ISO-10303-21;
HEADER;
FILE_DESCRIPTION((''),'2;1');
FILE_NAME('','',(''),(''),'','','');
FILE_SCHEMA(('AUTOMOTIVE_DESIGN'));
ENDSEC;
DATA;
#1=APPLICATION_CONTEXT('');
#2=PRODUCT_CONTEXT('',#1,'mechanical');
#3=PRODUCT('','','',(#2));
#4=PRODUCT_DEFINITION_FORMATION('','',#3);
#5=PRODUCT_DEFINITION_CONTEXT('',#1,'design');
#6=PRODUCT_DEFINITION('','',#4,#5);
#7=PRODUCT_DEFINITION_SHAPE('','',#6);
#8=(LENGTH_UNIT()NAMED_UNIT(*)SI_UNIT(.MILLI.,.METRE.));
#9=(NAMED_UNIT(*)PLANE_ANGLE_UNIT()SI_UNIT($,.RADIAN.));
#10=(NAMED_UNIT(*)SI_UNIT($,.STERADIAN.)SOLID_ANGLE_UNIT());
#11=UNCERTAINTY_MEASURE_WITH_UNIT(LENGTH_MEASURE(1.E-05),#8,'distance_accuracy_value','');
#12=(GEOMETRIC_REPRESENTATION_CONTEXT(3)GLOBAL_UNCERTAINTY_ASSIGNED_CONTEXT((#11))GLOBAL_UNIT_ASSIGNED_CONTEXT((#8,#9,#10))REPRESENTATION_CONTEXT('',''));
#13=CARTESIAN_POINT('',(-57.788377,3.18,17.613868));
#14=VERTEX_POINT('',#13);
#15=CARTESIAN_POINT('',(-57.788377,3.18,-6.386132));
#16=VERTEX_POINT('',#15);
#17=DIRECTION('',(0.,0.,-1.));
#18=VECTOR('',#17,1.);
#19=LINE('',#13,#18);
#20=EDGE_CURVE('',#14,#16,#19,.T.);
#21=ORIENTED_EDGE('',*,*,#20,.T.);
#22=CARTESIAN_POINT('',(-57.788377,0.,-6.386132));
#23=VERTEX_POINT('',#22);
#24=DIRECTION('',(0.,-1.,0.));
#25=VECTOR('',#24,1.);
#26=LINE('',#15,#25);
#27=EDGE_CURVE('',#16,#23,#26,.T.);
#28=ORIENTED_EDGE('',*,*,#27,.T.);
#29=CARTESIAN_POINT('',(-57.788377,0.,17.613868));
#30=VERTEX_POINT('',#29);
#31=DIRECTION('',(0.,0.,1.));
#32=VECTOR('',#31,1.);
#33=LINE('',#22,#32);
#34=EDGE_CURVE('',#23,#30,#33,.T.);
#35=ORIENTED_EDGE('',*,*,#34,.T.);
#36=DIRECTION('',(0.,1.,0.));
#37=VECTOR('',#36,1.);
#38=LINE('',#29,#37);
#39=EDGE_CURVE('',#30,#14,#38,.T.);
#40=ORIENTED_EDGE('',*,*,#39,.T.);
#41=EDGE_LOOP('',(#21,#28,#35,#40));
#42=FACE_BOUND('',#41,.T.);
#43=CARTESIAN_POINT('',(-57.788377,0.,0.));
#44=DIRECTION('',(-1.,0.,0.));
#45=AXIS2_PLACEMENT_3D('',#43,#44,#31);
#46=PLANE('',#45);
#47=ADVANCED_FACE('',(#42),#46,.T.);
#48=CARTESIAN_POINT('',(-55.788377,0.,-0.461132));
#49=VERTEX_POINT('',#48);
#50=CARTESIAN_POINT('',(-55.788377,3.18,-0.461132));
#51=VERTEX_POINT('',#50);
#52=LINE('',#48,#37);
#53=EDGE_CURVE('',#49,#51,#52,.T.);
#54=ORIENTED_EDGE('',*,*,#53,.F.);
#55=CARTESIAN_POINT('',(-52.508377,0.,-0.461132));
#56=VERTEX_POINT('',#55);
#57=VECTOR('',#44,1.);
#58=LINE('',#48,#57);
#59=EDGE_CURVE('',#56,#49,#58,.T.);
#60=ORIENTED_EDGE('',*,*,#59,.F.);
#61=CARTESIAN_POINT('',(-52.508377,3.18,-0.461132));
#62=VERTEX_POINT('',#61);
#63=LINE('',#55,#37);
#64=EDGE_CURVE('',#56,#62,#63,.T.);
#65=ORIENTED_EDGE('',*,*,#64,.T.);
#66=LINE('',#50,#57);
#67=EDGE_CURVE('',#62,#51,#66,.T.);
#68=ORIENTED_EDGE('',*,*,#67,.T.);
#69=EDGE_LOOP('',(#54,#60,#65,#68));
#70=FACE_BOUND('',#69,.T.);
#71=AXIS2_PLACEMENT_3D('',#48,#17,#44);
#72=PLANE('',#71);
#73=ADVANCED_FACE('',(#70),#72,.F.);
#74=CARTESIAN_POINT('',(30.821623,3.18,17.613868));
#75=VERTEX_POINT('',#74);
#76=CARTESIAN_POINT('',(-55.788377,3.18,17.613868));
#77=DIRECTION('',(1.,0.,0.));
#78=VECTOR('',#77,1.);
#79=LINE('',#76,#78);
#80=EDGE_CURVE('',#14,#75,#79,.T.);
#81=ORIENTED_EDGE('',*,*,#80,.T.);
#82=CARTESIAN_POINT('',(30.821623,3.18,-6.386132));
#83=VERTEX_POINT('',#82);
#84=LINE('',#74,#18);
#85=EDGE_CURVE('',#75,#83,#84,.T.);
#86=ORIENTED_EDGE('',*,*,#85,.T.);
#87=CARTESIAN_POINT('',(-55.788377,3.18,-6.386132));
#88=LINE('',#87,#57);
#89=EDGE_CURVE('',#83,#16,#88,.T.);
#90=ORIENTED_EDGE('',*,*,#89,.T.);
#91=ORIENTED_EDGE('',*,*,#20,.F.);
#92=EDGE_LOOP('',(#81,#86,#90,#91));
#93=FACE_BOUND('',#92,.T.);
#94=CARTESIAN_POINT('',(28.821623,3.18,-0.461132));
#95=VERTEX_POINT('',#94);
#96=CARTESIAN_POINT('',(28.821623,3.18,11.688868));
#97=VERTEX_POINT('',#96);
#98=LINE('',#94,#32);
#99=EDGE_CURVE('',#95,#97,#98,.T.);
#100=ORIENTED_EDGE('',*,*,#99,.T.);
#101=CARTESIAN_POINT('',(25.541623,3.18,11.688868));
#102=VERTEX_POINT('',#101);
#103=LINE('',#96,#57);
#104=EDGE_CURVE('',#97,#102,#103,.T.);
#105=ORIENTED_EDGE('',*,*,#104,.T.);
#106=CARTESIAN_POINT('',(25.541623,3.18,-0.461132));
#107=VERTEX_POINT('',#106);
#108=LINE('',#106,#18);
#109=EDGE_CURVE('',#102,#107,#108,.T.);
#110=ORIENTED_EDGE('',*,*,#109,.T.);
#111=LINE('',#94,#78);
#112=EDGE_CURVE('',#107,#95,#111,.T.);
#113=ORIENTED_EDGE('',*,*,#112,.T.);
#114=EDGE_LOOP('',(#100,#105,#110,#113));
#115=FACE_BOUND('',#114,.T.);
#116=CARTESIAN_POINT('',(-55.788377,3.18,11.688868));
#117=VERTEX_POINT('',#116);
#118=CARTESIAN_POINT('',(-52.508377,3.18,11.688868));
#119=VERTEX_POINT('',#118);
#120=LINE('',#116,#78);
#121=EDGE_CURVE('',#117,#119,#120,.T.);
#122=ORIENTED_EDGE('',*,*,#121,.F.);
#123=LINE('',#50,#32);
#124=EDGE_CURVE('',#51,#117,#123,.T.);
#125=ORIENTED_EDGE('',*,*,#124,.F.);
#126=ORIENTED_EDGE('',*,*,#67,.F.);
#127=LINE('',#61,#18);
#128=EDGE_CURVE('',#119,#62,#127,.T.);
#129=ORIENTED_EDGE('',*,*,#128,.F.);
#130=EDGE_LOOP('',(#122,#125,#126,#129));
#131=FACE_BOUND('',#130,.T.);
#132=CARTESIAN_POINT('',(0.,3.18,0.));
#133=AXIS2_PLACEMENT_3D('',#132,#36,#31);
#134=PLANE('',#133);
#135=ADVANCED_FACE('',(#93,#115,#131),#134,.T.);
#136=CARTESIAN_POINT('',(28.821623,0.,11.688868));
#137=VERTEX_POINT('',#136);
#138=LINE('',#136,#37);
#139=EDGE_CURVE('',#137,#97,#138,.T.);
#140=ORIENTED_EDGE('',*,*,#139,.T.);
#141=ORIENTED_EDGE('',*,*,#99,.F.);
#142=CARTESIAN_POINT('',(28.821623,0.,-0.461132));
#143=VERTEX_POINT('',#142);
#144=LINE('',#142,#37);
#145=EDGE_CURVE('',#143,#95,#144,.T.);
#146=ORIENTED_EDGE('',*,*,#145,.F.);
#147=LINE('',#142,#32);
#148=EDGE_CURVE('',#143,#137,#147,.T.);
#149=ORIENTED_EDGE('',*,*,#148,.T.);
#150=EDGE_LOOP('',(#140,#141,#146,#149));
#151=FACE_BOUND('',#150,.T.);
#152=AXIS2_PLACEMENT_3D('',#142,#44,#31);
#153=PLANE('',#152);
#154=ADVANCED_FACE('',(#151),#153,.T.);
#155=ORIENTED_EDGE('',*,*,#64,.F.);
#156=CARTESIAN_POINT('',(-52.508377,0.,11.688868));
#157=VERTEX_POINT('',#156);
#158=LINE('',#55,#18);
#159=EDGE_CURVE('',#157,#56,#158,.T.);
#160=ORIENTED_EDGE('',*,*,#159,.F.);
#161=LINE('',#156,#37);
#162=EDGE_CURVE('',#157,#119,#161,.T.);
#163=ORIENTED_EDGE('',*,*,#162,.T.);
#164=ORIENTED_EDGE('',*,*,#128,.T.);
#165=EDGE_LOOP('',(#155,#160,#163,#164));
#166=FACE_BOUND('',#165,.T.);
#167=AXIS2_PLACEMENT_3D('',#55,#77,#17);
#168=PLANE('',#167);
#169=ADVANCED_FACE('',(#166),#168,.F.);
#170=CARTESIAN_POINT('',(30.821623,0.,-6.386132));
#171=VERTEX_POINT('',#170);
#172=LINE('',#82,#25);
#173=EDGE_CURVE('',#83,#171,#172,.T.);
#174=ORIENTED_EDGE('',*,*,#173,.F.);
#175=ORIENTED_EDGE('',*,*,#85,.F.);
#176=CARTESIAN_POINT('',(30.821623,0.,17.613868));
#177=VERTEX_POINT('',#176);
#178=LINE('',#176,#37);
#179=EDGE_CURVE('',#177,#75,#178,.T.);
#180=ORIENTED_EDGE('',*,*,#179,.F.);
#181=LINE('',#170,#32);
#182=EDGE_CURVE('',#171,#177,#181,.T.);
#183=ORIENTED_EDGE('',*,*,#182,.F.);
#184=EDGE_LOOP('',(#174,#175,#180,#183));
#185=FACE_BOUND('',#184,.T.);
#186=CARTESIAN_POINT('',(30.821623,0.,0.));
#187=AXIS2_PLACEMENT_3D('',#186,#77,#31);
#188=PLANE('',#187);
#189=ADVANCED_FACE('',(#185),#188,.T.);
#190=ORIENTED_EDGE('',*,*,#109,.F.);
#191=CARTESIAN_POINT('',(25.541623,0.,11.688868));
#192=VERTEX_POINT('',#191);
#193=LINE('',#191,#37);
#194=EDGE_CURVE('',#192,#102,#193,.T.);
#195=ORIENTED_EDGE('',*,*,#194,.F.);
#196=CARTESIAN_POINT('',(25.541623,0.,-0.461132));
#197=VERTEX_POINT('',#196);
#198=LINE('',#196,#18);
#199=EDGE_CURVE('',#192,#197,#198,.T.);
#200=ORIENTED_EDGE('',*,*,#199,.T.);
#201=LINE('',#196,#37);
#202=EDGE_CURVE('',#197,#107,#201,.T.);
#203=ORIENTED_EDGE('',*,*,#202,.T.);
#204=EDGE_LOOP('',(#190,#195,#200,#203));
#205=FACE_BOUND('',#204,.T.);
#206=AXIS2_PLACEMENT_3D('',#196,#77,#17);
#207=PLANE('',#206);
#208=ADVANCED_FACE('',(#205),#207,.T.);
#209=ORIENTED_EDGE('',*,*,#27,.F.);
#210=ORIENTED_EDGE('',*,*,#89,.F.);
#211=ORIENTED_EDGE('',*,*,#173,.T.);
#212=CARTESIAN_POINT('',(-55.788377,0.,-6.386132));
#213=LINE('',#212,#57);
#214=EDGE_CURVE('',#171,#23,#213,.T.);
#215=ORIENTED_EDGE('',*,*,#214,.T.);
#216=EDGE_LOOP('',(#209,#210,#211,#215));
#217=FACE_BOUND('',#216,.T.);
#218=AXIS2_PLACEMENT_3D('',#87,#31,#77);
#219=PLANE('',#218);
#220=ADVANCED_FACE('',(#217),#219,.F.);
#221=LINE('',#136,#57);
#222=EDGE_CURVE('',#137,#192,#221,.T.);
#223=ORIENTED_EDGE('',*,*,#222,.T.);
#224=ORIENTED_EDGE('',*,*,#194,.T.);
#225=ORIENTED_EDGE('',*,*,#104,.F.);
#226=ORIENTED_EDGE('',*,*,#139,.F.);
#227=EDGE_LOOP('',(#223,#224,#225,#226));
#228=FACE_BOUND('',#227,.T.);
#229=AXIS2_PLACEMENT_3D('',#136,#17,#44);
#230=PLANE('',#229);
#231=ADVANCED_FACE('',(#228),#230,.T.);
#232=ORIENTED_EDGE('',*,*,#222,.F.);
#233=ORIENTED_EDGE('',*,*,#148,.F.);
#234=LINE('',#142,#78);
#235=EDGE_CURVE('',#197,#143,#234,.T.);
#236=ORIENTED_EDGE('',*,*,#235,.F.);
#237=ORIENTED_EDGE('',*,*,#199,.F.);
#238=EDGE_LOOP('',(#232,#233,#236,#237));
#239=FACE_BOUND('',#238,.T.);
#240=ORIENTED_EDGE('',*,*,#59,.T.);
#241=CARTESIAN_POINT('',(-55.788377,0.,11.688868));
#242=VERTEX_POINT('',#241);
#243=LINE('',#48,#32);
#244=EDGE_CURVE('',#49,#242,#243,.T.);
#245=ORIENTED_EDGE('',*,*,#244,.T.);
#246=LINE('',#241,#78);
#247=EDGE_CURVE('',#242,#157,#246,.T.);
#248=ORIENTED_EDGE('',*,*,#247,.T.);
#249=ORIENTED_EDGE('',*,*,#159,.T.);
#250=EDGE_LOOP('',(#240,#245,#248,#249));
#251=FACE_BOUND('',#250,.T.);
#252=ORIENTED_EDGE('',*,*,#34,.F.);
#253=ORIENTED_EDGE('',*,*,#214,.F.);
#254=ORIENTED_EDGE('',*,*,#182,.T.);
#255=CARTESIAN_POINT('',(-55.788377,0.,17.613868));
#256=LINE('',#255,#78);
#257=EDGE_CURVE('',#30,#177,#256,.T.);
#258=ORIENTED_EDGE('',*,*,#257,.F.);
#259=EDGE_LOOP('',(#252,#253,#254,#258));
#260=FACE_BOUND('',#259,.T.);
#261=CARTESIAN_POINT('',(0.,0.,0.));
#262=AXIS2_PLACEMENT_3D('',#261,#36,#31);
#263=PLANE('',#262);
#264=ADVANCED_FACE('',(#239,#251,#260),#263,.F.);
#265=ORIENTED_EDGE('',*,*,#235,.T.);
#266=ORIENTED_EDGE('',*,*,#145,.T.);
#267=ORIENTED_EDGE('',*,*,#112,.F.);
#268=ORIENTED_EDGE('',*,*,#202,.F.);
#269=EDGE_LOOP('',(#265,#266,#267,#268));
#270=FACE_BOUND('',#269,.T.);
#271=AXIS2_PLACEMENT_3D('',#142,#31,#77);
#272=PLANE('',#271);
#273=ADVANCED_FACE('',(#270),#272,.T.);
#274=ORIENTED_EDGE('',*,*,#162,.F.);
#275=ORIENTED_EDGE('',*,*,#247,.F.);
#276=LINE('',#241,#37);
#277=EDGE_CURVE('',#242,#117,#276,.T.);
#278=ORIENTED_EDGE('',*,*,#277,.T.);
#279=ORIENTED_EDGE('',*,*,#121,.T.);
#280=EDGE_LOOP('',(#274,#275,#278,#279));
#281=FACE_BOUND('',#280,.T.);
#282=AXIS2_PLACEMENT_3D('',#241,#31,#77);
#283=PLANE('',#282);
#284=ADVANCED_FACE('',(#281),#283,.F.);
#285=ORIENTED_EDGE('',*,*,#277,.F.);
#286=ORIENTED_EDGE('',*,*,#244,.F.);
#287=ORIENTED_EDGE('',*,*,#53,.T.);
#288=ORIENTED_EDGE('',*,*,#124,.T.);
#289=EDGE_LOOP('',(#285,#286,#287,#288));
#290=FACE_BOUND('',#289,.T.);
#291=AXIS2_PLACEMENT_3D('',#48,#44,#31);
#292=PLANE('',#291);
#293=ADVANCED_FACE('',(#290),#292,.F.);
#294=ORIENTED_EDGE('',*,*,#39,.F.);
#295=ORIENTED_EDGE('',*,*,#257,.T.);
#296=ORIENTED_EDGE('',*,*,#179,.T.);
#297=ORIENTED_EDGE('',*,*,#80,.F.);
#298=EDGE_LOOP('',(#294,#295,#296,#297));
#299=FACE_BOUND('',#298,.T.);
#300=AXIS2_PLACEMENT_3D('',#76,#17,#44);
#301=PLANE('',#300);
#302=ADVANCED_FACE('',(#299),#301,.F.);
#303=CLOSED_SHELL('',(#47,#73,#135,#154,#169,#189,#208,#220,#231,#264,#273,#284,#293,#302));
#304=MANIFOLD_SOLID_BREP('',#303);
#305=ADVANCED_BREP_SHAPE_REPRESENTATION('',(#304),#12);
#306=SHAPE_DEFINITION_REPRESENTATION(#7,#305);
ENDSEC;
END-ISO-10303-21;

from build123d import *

# Parameters (mm, degrees)
SKETCH1_W           = 84.61
SKETCH1_H           = 24
BOSS_EXTRUDE1_DEPTH = 3.18
SKETCH10_W          = 24
SKETCH10_H          = 3.18
BOSS_EXTRUDE2_DEPTH = 2
SKETCH9_W           = 3.28
SKETCH9_H           = 12.15
CUT_EXTRUDE1_DEPTH  = 61.496753834


with BuildPart() as part:
    # Sketch1 → Boss-Extrude1 (new body)
    with BuildSketch(Plane(origin=(0, 0, 0), x_dir=(1, 0, 0), z_dir=(0, 1, 0))):
        with Locations((-13.483376754, -5.613867735)):
            Rectangle(SKETCH1_W, SKETCH1_H)
    extrude(amount=BOSS_EXTRUDE1_DEPTH)

    # Sketch10 → Boss-Extrude2 (add)
    with BuildSketch(Plane.ZY.offset(55.788376754)):
        with Locations((5.613867735, 1.59)):
            Rectangle(SKETCH10_W, SKETCH10_H)
    boss_extrude2 = extrude(amount=BOSS_EXTRUDE2_DEPTH)

    # Sketch9 → Cut-Extrude1 (cut, through all)
    with BuildSketch(Plane(origin=(0, 3.18, 0), x_dir=(1, 0, 0), z_dir=(0, 1, 0))):
        with Locations((-54.148376754, -5.613867735)):
            Rectangle(SKETCH9_W, SKETCH9_H)
    cut_extrude1 = extrude(amount=-CUT_EXTRUDE1_DEPTH, mode=Mode.SUBTRACT)

    # Mirror1: Boss-Extrude2, Cut-Extrude1 across plane
    add(boss_extrude2.mirror(Plane.ZY.offset(13.483376754)))
    add(cut_extrude1.mirror(Plane.ZY.offset(13.483376754)), mode=Mode.SUBTRACT)


solid = part.part
